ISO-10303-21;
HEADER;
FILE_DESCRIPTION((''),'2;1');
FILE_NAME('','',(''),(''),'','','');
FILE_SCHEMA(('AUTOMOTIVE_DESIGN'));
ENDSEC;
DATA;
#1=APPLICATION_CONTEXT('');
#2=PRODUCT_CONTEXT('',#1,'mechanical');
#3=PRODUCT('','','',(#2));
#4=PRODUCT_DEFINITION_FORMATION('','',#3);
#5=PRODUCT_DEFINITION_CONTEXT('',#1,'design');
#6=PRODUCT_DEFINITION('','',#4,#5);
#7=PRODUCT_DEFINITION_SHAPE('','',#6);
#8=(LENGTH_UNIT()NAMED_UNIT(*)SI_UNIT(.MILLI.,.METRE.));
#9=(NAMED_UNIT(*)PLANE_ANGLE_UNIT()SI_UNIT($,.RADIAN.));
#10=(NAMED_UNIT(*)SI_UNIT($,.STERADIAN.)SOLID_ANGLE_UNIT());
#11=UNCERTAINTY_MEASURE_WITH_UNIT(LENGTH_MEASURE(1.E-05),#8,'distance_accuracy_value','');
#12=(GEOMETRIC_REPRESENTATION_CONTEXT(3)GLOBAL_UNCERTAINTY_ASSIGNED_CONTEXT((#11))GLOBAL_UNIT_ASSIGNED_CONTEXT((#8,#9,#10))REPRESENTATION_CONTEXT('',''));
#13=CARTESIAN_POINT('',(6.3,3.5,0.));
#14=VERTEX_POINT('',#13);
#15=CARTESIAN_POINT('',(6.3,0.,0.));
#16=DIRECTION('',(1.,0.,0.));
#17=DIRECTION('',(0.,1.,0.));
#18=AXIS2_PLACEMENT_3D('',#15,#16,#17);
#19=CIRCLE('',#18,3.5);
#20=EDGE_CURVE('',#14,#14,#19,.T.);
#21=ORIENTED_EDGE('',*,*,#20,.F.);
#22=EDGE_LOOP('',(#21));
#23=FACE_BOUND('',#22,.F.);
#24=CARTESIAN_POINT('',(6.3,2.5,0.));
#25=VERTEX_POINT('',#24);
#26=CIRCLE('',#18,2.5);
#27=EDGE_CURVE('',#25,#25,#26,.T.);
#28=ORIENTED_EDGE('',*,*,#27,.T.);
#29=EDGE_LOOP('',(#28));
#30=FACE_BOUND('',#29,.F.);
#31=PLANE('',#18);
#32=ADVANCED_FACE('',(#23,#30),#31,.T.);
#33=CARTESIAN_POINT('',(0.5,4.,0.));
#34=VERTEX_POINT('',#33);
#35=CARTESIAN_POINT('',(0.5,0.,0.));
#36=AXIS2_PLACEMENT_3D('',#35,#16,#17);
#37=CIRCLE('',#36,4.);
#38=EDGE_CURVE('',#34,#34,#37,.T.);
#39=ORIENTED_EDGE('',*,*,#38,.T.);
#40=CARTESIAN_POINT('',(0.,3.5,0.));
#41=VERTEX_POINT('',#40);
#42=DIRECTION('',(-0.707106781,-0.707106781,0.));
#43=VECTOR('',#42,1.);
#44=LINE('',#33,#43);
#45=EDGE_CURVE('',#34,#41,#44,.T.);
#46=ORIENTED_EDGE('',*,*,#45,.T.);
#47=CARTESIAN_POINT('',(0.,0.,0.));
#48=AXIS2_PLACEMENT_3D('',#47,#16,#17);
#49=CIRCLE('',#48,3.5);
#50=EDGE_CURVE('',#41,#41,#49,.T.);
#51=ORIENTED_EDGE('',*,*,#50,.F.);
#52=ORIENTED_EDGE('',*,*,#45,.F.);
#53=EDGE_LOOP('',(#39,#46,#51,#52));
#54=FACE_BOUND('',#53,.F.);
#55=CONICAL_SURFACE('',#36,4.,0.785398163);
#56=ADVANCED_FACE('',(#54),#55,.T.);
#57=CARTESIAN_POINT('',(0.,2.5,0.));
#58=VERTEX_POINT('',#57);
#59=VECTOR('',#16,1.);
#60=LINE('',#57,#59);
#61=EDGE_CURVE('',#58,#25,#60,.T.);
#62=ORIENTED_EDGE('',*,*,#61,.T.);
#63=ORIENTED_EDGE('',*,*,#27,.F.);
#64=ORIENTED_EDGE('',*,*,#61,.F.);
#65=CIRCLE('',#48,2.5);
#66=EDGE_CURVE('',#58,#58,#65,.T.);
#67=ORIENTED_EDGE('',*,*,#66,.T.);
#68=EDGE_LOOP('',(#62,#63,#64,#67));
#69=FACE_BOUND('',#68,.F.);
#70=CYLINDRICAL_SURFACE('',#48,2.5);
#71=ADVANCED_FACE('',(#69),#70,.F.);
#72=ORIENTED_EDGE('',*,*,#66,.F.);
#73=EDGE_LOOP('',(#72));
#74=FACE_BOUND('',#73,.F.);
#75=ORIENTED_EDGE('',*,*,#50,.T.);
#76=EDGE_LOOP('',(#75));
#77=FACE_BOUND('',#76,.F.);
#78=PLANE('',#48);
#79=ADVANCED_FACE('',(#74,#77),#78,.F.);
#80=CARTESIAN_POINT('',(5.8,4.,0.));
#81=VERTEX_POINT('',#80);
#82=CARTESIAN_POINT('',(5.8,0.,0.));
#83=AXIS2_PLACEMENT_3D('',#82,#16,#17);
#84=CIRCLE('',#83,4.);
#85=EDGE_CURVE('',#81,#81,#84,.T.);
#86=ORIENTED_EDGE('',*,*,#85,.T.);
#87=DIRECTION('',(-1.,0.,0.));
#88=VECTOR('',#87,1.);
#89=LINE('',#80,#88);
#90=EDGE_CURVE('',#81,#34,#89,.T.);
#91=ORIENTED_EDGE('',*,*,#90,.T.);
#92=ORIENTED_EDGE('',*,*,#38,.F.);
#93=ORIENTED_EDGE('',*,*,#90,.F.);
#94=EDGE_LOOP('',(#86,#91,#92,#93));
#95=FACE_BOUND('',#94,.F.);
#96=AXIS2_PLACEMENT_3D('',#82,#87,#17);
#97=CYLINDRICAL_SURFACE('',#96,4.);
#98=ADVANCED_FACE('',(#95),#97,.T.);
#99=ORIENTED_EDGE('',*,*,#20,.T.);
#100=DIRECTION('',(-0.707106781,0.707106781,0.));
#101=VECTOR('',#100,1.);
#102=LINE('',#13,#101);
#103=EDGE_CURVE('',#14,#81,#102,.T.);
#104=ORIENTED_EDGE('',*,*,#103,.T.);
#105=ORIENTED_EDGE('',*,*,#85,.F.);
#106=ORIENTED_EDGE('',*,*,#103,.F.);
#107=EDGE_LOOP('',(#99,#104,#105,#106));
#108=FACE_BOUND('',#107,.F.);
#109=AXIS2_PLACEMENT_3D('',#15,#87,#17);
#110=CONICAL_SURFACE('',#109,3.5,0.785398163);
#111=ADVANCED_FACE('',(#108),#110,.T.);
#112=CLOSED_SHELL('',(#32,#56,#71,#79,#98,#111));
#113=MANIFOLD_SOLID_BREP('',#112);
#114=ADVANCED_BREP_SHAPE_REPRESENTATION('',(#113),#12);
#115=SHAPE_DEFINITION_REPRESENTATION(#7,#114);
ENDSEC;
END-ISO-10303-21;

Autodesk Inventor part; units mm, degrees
sketch "Sketch_1" plane through (0, 0, 0) normal (0, 0, 1) x (1, 0, 0)
  line L0 (6.3, 0) -> (0, 0)
  line L1 (0, 2.5) -> (6.3, 2.5)
  line L2 (6.3, 2.5) -> (6.3, 3.5)
  line L3 (6.3, 3.5) -> (5.8, 4)
  line L4 (5.8, 4) -> (0.5, 4)
  line L5 (0.5, 4) -> (0, 3.5)
  line L6 (0, 3.5) -> (0, 2.5)
revolve "Revolution1" add sketch "Sketch_1" angle 360 about axis through (6.3, 0, 0) along (1, 0, 0)
ref_plane "to_b_XY" through (0, 0, 0) normal (1, 0, 0) x (0, 0, -1)
ref_plane "to_b_YZ" through (0, 0, 0) normal (0, 0, -1) x (0, 1, 0)
ref_plane "to_b_ZX" through (0, 0, 0) normal (0, 1, 0) x (1, 0, 0)
properties part number "CLBPS5-8-6.3"
